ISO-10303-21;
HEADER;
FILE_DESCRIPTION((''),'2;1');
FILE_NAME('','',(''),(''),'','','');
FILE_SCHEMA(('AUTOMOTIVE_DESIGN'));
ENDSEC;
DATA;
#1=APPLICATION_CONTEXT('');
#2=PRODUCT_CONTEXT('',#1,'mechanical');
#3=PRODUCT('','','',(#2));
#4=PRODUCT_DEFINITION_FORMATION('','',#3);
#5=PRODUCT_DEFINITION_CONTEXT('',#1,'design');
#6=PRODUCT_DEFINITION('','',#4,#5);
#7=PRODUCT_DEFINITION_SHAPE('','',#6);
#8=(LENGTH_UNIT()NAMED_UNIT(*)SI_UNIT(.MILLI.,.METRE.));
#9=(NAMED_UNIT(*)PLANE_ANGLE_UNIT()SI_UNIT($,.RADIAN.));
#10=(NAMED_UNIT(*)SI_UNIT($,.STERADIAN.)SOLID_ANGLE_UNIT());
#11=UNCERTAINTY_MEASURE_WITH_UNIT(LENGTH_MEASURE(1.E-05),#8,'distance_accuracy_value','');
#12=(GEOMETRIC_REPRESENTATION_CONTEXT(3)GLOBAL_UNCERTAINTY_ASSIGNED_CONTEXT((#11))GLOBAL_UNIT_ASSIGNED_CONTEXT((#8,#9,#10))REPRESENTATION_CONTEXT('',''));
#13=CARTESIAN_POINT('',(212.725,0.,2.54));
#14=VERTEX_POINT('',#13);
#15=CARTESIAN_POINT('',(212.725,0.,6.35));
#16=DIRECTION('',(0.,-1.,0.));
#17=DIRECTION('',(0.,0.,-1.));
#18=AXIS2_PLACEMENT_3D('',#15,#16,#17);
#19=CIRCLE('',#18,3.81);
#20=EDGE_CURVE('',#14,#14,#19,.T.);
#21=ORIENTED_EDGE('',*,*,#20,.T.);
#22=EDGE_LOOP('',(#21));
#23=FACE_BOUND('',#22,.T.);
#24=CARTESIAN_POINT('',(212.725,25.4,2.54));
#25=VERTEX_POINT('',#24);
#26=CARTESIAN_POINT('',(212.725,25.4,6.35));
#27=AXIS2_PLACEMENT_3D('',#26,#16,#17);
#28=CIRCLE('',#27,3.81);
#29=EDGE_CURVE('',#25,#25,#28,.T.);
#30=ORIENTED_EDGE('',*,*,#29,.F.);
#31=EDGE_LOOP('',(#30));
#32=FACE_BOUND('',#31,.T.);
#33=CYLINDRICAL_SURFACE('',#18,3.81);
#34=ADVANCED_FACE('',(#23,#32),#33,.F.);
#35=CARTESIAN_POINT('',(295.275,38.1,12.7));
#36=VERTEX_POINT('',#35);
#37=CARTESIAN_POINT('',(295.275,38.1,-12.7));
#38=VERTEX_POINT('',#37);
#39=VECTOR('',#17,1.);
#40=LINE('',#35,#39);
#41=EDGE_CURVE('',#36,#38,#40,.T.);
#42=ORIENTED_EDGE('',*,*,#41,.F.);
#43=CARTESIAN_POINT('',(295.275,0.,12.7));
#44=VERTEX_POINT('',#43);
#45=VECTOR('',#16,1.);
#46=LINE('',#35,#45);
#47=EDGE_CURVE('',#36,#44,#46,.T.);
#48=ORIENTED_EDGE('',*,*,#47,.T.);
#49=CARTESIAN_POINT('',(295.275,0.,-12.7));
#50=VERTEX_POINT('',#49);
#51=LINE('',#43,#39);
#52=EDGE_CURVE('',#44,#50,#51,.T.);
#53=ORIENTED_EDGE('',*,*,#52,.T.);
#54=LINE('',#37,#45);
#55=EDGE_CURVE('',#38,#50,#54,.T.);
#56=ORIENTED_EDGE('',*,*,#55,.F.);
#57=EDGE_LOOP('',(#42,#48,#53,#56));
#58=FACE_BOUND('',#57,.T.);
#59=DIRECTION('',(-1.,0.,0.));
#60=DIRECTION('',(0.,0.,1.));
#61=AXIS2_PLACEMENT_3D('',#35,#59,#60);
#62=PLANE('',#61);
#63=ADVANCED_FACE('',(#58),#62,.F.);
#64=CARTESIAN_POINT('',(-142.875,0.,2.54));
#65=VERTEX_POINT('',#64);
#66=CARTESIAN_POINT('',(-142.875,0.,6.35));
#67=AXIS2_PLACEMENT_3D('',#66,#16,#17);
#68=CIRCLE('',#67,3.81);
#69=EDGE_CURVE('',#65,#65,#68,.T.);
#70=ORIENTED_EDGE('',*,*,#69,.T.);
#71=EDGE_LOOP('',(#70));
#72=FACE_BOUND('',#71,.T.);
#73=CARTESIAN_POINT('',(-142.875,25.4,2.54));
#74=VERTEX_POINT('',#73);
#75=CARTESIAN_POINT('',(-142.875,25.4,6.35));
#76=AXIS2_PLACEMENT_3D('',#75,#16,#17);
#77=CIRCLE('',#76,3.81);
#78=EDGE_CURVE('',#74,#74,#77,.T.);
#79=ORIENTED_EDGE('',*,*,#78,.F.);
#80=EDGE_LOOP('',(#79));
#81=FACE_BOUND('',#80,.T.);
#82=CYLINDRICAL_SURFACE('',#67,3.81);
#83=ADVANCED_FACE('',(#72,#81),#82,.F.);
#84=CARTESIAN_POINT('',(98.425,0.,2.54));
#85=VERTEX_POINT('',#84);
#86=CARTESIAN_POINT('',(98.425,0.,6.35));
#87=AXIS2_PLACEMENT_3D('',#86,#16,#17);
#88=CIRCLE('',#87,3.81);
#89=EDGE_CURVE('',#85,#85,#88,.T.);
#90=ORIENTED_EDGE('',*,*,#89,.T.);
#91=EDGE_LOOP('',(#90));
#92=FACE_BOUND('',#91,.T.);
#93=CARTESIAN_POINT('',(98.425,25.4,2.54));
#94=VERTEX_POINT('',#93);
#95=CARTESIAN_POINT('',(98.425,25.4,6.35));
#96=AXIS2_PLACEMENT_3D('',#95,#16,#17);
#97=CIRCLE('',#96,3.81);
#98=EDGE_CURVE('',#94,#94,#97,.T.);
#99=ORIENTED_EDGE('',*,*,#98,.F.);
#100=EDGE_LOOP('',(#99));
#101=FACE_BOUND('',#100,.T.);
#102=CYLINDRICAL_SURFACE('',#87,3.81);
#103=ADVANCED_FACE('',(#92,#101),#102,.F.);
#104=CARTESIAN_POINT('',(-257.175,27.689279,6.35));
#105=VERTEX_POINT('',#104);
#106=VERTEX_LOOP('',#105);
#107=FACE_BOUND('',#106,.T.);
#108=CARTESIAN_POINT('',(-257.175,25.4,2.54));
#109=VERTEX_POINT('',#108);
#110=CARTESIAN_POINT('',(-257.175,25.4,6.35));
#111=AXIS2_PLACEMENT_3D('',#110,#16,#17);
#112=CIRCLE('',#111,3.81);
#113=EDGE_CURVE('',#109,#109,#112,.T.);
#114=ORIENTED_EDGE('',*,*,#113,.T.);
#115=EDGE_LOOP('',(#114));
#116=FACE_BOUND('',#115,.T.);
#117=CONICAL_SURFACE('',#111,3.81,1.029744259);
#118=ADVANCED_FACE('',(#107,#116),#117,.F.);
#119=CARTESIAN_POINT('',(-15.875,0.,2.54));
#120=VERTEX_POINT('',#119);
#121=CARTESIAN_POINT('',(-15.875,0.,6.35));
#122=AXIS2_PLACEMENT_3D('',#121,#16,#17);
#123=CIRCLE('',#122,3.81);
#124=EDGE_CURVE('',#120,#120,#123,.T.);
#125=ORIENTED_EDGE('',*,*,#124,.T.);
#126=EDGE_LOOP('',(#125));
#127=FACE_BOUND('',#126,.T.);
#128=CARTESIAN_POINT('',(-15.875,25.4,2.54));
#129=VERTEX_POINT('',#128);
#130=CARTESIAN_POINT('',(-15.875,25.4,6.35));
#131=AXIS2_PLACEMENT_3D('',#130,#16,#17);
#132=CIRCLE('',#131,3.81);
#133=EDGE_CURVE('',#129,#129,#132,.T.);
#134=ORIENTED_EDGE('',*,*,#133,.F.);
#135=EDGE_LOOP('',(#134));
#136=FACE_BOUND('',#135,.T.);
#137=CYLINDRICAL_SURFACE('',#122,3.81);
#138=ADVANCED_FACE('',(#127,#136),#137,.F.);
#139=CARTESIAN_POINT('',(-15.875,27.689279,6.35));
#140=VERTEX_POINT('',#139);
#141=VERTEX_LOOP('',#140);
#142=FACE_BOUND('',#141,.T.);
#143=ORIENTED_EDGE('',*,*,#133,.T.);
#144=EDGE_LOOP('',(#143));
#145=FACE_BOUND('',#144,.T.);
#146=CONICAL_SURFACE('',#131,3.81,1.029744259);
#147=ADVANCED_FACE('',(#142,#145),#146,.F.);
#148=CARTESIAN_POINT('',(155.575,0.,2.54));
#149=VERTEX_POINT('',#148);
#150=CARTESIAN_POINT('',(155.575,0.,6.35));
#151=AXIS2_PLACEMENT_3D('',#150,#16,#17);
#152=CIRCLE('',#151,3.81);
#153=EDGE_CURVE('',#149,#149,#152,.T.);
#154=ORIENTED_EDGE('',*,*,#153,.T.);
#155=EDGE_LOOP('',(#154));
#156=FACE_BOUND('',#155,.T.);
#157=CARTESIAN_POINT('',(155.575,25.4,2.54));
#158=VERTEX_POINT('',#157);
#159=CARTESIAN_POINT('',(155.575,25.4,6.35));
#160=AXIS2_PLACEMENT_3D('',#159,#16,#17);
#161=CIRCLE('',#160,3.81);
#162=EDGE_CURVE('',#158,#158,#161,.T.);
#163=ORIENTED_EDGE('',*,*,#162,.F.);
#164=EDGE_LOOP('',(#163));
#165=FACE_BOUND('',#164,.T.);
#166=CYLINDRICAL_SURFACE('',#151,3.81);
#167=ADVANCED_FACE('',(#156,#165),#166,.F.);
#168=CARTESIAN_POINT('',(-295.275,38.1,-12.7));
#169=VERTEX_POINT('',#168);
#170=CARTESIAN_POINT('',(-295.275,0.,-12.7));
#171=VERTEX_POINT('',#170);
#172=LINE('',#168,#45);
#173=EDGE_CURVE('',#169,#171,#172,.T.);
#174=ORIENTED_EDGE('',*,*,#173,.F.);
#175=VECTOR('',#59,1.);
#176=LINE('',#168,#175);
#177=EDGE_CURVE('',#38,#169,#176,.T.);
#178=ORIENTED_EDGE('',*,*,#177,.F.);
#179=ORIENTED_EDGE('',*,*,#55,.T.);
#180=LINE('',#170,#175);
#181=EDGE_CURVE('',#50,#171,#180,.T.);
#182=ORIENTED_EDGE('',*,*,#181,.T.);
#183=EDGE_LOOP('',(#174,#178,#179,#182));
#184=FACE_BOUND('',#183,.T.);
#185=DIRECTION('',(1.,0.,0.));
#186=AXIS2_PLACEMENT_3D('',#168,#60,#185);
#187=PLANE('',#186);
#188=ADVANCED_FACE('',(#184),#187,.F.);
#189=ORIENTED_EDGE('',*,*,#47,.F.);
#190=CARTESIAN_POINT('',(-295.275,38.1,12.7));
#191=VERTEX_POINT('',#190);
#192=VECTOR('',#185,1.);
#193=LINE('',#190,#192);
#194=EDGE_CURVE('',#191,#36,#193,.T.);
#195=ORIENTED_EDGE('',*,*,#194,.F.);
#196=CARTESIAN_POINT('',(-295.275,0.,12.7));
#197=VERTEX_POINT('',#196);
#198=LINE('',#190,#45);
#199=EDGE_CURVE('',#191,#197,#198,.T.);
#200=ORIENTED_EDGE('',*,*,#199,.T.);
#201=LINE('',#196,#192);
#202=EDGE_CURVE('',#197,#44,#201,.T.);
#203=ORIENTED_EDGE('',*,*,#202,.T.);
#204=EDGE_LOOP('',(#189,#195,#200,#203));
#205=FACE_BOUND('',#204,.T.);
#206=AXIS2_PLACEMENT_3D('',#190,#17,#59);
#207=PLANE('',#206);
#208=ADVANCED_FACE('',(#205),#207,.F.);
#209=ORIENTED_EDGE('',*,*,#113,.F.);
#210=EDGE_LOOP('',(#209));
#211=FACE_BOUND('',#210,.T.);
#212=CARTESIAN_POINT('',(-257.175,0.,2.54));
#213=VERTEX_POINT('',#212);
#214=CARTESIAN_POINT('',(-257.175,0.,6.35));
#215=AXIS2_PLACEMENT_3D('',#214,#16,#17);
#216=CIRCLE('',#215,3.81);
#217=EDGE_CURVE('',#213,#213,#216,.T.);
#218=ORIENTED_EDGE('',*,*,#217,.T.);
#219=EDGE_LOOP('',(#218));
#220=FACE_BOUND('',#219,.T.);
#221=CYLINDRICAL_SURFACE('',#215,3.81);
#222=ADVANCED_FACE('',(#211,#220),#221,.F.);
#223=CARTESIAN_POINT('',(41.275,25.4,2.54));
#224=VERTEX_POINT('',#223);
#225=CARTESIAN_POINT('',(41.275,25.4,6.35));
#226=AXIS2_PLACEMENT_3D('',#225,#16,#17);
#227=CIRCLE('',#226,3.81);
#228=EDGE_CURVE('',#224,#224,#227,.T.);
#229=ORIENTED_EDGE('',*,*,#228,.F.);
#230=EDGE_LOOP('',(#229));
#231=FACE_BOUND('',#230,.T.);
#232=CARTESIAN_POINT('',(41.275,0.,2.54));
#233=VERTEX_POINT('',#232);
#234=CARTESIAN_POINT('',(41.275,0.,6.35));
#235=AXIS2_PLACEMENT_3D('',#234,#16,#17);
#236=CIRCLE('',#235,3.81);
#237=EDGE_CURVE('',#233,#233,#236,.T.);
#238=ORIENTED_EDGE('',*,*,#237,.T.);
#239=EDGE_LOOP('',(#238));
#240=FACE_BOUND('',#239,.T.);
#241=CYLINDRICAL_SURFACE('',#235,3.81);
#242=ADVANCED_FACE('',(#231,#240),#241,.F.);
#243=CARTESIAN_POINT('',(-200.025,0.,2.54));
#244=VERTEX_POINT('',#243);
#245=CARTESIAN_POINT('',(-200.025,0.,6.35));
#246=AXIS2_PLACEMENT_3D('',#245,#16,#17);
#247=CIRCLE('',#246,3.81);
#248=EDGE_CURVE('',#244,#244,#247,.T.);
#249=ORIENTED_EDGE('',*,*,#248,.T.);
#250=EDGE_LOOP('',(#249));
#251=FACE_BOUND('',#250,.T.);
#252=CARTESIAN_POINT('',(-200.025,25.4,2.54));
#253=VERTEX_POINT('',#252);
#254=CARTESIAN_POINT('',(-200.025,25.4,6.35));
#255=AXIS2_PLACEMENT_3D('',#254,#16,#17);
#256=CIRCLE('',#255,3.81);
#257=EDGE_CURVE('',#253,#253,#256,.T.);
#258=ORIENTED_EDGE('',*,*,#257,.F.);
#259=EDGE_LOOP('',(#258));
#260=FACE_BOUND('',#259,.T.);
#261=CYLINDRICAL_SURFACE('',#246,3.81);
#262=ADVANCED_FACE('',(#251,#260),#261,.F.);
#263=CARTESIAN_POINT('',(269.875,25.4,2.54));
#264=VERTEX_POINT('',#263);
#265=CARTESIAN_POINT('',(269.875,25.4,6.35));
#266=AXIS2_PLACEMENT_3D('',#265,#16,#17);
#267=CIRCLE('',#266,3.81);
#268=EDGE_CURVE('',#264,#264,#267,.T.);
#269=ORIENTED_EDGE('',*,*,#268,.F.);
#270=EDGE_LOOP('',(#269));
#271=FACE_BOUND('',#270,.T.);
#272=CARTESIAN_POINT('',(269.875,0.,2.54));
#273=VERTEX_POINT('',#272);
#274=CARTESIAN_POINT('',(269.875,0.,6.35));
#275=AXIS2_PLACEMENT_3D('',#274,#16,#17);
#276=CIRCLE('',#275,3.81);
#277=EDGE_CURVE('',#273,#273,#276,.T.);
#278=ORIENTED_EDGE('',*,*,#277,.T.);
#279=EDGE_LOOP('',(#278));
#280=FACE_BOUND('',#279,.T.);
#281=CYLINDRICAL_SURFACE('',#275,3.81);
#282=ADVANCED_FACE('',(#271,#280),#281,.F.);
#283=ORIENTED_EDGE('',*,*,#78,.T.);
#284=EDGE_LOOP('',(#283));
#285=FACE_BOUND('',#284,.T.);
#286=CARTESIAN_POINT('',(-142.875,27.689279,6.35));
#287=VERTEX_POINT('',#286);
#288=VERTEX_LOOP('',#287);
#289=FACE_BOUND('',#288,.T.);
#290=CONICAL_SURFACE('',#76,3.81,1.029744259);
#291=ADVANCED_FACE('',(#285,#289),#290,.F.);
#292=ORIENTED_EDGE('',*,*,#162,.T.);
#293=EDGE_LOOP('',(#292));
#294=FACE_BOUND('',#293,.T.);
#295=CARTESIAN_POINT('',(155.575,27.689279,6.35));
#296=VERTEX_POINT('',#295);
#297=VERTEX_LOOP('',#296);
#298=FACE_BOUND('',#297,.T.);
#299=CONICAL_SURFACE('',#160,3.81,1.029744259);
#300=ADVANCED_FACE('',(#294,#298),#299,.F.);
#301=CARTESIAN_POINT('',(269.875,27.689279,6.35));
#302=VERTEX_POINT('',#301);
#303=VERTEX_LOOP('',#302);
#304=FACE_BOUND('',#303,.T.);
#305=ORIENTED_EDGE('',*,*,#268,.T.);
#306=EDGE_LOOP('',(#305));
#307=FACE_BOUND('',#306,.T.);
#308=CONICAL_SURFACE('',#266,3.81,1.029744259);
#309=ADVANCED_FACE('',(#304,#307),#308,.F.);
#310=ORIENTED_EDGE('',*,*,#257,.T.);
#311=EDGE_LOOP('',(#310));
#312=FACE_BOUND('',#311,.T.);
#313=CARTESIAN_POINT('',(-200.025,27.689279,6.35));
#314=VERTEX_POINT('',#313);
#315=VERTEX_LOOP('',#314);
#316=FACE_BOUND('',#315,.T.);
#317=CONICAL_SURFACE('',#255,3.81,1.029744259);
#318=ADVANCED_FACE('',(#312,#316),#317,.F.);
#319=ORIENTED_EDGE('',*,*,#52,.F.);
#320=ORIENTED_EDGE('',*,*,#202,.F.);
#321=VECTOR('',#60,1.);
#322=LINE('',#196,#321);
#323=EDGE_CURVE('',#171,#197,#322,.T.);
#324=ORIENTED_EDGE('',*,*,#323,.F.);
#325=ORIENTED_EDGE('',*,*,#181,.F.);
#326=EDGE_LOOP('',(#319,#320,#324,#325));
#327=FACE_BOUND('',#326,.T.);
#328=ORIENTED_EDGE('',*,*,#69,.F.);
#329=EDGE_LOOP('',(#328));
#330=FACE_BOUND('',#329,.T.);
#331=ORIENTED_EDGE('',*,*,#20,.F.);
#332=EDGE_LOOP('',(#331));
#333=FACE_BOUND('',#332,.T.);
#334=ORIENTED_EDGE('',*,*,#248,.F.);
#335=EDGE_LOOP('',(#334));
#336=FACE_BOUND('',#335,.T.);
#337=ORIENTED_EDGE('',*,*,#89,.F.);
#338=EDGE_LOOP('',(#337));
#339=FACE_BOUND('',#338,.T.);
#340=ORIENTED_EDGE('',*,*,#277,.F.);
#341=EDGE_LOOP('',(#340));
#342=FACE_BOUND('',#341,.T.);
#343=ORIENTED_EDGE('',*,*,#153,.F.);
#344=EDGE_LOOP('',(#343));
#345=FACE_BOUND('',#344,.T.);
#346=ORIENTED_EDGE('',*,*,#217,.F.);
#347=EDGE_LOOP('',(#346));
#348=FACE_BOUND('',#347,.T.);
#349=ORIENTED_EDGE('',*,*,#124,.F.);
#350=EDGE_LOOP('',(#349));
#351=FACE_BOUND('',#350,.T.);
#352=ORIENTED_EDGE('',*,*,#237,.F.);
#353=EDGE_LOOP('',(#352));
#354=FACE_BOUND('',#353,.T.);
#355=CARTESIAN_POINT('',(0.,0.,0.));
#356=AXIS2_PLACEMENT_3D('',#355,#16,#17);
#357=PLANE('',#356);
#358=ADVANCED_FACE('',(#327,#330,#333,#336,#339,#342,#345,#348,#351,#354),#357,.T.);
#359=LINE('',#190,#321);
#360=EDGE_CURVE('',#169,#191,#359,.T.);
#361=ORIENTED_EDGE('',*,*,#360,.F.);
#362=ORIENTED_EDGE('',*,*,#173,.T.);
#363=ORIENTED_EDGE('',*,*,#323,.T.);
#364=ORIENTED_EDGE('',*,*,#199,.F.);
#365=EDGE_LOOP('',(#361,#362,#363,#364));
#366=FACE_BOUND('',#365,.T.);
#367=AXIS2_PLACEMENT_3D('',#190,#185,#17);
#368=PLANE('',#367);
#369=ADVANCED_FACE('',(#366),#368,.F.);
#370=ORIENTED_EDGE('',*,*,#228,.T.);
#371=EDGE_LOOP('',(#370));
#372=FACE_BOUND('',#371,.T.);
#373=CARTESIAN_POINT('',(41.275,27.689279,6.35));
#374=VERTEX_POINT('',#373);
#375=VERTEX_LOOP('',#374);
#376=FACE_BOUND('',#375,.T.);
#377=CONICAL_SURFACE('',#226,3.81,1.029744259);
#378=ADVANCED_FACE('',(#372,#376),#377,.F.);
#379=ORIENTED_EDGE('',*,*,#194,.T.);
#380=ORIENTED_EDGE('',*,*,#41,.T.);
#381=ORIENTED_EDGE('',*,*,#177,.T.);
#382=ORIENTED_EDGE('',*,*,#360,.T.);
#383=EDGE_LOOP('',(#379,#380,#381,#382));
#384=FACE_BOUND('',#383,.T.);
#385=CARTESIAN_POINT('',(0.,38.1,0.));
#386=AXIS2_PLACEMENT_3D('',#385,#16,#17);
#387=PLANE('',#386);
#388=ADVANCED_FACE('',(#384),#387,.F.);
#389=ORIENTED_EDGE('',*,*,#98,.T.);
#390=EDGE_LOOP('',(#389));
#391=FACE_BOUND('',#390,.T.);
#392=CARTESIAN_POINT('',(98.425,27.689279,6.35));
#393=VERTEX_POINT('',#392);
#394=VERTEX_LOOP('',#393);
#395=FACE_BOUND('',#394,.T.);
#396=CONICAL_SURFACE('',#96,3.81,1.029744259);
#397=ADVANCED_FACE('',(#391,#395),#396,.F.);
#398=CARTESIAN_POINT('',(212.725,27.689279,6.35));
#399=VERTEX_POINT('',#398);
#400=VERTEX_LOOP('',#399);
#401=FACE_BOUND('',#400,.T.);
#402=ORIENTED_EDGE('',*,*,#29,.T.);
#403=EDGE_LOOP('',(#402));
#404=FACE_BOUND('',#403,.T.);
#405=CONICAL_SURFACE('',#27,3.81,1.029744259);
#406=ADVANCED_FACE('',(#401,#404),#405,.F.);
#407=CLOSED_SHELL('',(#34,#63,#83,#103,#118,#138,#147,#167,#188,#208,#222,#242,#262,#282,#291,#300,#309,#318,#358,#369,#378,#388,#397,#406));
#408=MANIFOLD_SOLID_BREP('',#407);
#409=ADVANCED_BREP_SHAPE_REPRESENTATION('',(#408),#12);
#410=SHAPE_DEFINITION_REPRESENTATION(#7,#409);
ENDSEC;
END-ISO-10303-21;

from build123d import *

# Parameters (mm, degrees)
SKETCH1_W                     = 590.55
SKETCH1_H                     = 25.4
BOSS_EXTRUDE1_DEPTH           = 38.1
F_94_0_3_DIAMETER_HOLE1_D     = 7.62
F_94_0_3_DIAMETER_HOLE1_DEPTH = 25.4
F_94_0_3_DIAMETER_HOLE1_TIP   = 2.289278958


with BuildPart() as part:
    # Sketch1 → Boss-Extrude1 (new body)
    with BuildSketch(Plane(origin=(0, 0, 0), x_dir=(1, 0, 0), z_dir=(0, 1, 0))):
        Rectangle(SKETCH1_W, SKETCH1_H)
    extrude(amount=BOSS_EXTRUDE1_DEPTH)

    # #94 (0.3) Diameter Hole1
    with Locations(Plane.XZ):
        with Locations((269.875, 6.35), (212.725, 6.35), (155.575, 6.35), (-142.875, 6.35), (98.425, 6.35), (41.275, 6.35), (-15.875, 6.35), (-200.025, 6.35), (-257.175, 6.35)):
            Hole(F_94_0_3_DIAMETER_HOLE1_D / 2, depth=F_94_0_3_DIAMETER_HOLE1_DEPTH)
            with Locations((0, 0, -(F_94_0_3_DIAMETER_HOLE1_DEPTH + F_94_0_3_DIAMETER_HOLE1_TIP / 2))):  # 118° drill point
                Cone(0, F_94_0_3_DIAMETER_HOLE1_D / 2, F_94_0_3_DIAMETER_HOLE1_TIP, mode=Mode.SUBTRACT)


solid = part.part
